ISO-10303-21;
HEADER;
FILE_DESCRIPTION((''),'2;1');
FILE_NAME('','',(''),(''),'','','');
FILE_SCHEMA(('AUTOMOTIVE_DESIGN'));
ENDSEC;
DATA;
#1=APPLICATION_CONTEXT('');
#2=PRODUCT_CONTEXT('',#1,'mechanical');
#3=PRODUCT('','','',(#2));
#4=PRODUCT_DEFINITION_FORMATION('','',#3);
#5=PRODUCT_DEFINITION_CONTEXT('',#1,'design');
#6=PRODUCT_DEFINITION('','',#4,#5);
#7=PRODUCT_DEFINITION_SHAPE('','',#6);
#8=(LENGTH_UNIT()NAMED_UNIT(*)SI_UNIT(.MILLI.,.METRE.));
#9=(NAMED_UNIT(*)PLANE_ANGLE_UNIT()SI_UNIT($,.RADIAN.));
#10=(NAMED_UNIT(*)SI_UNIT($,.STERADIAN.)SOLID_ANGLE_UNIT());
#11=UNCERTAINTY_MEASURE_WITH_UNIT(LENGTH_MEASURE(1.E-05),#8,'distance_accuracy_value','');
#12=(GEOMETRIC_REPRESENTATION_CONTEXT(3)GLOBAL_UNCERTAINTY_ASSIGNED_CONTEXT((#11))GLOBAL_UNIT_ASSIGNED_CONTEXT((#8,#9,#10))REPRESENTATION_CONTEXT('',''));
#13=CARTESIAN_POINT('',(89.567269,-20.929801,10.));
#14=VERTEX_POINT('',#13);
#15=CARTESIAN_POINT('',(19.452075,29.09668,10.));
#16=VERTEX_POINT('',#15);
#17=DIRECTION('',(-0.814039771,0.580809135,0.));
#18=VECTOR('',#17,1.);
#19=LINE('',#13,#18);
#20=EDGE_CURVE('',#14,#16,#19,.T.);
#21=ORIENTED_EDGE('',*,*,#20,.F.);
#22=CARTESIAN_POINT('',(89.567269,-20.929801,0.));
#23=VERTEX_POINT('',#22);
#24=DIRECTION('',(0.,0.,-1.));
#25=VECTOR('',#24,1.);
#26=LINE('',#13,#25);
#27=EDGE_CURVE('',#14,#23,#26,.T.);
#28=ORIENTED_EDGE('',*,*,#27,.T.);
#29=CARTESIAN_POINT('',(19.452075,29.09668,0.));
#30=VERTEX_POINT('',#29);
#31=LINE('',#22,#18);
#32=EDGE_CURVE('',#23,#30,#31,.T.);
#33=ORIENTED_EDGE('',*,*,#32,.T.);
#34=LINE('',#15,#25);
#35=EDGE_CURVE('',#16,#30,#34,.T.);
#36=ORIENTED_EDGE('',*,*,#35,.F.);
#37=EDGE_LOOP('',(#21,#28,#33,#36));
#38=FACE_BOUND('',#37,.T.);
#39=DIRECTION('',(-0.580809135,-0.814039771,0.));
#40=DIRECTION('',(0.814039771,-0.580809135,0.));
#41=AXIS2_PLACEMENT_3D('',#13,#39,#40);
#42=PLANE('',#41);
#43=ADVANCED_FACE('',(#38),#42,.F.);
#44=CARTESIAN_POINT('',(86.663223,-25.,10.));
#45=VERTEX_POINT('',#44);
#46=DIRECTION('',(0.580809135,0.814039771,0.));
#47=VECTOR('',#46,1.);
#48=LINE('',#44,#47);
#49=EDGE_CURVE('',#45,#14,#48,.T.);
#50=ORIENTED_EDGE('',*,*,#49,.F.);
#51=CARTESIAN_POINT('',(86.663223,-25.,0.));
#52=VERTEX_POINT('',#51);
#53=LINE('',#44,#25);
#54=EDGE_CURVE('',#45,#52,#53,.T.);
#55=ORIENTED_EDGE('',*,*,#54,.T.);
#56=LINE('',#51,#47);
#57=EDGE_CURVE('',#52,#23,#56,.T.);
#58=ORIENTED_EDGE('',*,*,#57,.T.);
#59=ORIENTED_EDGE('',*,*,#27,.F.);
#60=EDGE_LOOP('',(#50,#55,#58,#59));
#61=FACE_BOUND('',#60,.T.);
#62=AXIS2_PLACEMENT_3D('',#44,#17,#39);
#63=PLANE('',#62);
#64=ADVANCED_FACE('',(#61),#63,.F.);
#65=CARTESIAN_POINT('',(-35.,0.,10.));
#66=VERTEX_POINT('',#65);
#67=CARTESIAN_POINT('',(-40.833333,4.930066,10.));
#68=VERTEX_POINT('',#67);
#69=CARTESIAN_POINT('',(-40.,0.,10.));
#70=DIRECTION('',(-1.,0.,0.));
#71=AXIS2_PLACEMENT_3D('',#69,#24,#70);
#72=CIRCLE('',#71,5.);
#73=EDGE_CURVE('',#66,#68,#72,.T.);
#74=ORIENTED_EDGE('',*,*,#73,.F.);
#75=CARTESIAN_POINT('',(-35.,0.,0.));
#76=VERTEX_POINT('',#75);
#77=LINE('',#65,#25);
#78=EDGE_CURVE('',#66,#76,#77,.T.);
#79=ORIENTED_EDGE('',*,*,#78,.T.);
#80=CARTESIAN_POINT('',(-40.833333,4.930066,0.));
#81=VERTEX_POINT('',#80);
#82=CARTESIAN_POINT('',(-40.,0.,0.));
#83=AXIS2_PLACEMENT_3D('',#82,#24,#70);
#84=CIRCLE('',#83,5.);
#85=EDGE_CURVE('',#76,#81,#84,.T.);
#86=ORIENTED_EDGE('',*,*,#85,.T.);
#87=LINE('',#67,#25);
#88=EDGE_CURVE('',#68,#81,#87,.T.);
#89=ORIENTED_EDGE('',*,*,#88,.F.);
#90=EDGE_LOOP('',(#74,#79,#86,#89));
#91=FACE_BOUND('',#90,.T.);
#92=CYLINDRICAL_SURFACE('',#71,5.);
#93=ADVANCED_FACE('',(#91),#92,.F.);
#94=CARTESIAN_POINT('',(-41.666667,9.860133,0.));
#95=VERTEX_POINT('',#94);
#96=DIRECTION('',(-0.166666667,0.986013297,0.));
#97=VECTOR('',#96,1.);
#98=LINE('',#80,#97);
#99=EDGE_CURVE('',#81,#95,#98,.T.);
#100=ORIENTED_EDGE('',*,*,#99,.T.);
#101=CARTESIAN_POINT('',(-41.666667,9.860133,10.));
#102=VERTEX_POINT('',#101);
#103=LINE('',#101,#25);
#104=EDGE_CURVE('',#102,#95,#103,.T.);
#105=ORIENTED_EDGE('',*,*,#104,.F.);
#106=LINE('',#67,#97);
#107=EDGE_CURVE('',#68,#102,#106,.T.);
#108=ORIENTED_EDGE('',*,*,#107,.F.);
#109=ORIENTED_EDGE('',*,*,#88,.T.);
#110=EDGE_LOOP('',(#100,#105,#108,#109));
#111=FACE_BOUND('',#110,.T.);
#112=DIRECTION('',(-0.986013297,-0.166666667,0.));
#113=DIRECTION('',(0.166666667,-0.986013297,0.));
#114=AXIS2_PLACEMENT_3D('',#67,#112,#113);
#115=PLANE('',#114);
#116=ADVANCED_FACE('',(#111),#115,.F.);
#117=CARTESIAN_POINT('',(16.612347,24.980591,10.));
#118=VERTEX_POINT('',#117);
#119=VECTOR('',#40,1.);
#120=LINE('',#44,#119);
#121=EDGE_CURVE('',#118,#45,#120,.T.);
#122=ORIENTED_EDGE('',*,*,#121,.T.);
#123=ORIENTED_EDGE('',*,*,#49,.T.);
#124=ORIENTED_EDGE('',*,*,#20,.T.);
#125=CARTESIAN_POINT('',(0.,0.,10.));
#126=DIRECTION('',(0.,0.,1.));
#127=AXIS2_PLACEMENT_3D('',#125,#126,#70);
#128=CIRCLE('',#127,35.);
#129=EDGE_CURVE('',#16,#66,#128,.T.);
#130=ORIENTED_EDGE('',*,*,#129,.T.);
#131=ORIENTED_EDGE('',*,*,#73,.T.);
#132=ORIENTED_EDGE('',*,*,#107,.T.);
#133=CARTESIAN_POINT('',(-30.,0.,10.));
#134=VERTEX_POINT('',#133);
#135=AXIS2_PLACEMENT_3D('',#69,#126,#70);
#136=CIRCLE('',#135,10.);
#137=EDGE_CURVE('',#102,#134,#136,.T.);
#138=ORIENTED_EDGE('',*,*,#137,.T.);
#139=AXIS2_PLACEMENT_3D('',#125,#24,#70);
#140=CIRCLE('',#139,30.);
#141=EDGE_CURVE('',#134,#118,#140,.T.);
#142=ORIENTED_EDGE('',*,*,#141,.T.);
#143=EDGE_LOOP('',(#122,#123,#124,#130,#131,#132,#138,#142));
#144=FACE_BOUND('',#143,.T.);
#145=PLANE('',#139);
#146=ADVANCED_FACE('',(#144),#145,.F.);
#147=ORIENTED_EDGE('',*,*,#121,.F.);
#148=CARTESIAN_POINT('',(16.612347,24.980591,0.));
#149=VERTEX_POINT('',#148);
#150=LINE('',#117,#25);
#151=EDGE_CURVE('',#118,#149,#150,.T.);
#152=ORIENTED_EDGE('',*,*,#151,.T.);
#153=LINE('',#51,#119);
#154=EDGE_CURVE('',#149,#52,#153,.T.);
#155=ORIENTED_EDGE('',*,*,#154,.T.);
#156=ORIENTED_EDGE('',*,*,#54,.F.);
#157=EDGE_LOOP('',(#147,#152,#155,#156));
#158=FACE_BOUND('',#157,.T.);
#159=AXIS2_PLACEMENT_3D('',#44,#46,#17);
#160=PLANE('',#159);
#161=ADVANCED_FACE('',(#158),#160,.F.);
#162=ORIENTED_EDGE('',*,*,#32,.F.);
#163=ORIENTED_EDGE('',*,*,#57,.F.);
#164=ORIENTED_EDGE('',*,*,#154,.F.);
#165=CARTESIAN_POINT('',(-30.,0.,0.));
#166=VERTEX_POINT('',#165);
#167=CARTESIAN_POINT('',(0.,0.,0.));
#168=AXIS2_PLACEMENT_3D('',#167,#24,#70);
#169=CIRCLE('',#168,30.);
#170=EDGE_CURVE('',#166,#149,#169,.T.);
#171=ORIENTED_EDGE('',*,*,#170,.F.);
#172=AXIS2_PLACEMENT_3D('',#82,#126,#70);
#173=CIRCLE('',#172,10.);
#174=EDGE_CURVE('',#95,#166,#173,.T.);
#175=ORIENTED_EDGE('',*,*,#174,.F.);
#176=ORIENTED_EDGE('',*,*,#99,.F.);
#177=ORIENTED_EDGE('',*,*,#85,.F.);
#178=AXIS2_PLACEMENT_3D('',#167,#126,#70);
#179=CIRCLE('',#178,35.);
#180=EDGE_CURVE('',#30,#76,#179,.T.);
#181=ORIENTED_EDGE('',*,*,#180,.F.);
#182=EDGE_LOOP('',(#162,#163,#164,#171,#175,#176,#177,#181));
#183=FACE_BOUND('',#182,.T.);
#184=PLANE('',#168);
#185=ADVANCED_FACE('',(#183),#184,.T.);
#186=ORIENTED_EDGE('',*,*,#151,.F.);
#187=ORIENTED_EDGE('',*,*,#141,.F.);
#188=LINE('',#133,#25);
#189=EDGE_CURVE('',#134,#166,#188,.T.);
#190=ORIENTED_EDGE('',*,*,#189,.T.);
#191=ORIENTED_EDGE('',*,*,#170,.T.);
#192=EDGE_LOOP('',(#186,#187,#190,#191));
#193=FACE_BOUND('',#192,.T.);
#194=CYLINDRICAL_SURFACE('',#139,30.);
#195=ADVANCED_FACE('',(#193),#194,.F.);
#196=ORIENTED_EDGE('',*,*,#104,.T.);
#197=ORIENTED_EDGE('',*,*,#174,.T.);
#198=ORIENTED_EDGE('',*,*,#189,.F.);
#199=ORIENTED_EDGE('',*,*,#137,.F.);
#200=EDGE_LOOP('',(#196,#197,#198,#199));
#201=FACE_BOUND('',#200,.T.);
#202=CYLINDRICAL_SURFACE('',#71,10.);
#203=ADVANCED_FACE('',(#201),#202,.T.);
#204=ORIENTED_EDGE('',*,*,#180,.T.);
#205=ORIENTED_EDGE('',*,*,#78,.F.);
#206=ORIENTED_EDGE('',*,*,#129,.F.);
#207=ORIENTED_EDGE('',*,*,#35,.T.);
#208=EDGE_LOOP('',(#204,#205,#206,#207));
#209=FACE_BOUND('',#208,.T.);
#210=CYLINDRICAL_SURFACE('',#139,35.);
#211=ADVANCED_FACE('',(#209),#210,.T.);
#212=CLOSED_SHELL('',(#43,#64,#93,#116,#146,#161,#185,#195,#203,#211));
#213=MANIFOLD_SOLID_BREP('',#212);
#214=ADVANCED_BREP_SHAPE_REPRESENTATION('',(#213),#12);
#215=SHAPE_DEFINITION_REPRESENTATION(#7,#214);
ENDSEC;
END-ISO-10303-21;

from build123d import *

# Parameters (mm, degrees)
BASE_EXTRUDE_DEPTH = 10


with BuildPart() as part:
    # Sketch1 → Base-Extrude (new body)
    with BuildSketch(Plane.XY):
        with BuildLine():
            Line((89.567268983, -20.929801144), (19.452075124, 29.096679766))
            ThreePointArc((19.452075124, 29.096679766), (-16.495110953, 30.869261648), (-35, 0))
            ThreePointArc((-35, 0), (-43.227486122, -3.818813079), (-40.833333333, 4.930066486))
            Line((-40.833333333, 4.930066486), (-41.666666667, 9.860132972))
            ThreePointArc((-41.666666667, 9.860132972), (-46.454972244, -7.637626158), (-30, 0))
            ThreePointArc((-30, 0), (-14.170913912, 26.442110334), (16.612346594, 24.980591279))
            Line((16.612346594, 24.980591279), (86.66322331, -25))
            Line((86.66322331, -25), (89.567268983, -20.929801144))
        make_face()
    extrude(amount=BASE_EXTRUDE_DEPTH)


solid = part.part
